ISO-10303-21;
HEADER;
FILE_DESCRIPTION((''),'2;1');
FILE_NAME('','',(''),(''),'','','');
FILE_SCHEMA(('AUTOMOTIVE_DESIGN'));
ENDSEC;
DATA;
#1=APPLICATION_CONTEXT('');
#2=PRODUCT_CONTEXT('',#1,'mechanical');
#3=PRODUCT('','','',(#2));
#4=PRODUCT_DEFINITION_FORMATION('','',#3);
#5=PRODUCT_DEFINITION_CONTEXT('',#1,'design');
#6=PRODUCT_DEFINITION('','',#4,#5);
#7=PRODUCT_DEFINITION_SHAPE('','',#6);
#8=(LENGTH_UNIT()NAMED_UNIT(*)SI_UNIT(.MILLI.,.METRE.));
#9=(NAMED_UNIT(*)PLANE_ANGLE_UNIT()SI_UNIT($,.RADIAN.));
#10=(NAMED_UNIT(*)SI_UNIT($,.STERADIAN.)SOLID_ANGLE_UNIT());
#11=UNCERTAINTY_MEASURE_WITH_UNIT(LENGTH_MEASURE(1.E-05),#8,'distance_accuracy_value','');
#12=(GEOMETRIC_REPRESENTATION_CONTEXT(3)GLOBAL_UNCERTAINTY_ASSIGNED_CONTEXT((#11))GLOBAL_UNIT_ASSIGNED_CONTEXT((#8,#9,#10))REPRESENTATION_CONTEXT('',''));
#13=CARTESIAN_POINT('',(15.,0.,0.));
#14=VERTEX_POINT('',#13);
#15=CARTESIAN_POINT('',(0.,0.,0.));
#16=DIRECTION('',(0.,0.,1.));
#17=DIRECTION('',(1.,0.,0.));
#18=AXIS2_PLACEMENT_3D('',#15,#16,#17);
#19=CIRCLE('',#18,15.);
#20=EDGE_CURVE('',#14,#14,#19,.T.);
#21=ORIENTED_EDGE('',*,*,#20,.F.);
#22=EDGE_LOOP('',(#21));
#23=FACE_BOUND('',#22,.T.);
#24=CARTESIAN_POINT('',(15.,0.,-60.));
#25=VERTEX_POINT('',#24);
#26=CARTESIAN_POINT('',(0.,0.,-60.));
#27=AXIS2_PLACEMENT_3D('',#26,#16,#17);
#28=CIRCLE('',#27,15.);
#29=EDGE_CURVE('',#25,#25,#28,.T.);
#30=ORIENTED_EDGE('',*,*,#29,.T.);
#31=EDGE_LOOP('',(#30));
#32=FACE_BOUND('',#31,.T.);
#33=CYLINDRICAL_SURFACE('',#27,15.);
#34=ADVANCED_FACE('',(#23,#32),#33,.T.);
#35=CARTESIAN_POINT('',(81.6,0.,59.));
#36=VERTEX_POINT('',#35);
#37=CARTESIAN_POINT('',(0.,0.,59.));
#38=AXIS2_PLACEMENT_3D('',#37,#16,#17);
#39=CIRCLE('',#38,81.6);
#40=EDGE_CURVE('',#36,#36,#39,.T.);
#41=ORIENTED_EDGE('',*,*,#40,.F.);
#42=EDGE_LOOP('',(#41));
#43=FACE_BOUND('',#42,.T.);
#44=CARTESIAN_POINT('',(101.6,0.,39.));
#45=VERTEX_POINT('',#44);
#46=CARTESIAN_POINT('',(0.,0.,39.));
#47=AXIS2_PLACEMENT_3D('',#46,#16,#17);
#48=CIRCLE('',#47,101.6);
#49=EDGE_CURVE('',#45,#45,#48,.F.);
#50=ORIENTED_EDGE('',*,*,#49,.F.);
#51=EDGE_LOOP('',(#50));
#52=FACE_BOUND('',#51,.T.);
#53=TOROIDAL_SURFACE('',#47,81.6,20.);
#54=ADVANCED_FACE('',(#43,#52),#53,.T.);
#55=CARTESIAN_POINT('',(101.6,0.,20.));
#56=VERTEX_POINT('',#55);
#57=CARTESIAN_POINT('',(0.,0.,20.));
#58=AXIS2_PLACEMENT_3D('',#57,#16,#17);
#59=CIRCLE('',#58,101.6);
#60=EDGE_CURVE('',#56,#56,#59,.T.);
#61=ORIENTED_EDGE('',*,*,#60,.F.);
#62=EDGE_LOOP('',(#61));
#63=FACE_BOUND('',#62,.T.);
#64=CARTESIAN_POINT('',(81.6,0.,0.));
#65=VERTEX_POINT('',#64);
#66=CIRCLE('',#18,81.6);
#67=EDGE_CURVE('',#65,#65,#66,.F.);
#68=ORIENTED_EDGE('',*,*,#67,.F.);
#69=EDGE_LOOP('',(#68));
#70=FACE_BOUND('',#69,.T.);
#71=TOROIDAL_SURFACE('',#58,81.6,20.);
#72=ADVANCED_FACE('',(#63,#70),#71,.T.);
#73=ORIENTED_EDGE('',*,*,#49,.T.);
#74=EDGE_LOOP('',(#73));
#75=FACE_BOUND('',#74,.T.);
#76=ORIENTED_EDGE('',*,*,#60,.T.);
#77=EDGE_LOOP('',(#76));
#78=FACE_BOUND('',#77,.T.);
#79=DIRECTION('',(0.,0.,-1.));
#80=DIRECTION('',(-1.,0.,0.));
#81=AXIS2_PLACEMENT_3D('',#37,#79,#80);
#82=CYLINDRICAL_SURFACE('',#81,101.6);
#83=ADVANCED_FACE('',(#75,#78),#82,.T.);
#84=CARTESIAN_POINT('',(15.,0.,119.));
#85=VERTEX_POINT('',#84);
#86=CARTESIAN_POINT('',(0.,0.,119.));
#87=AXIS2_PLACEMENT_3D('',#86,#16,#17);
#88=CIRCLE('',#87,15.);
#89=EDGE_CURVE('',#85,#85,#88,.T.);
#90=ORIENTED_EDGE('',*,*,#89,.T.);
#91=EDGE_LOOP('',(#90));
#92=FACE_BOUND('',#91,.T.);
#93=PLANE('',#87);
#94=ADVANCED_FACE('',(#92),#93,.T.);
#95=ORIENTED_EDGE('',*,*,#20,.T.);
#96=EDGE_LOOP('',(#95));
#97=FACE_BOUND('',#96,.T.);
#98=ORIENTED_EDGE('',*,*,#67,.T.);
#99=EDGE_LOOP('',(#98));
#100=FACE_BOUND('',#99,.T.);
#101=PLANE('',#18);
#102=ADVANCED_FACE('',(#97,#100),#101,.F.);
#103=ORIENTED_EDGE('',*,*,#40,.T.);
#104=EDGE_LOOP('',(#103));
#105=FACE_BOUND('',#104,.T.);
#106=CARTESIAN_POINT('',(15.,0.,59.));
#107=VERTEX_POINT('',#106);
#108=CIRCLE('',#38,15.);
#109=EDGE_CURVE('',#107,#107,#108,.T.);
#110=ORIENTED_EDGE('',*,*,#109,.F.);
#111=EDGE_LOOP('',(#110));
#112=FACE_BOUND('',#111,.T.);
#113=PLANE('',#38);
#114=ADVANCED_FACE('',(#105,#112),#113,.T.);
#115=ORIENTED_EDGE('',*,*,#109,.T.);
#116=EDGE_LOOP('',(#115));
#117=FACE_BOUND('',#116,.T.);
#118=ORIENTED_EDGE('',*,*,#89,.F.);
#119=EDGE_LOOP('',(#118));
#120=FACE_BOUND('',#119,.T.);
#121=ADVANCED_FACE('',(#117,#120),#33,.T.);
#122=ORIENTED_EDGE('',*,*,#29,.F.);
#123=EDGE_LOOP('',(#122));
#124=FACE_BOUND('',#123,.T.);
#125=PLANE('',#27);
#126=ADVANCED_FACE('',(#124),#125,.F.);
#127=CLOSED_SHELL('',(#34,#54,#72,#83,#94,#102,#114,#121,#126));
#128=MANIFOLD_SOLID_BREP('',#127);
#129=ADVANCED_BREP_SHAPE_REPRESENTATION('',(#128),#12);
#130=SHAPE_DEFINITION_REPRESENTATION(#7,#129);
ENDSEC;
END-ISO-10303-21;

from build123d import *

# Parameters (mm, degrees)
SKETCH1_R                = 101.6
BOSS_EXTRUDE1_DEPTH      = 59
FILLET1_R                = 20
SKETCH2_R                = 15
BOSS_EXTRUDE2_DEPTH      = 60
BOSS_EXTRUDE2_DEPTH_BACK = 119


with BuildPart() as part:
    # Sketch1 → Boss-Extrude1 (new body)
    with BuildSketch(Plane.XY):
        Circle(SKETCH1_R)
    extrude(amount=BOSS_EXTRUDE1_DEPTH)

    # Fillet1
    fillet1_edges = [part.edges().sort_by_distance(p)[0] for p in [
        (-101.6, 0, 0),
        (-101.6, 0, 59),
    ]]
    fillet(fillet1_edges, radius=FILLET1_R)

    # Sketch2 → Boss-Extrude2 (add, two sides)
    with BuildSketch(Plane.XY.offset(59)) as boss_extrude2_sk:
        Circle(SKETCH2_R)
    extrude(amount=BOSS_EXTRUDE2_DEPTH)
    extrude(boss_extrude2_sk.sketch, amount=-BOSS_EXTRUDE2_DEPTH_BACK)


solid = part.part
